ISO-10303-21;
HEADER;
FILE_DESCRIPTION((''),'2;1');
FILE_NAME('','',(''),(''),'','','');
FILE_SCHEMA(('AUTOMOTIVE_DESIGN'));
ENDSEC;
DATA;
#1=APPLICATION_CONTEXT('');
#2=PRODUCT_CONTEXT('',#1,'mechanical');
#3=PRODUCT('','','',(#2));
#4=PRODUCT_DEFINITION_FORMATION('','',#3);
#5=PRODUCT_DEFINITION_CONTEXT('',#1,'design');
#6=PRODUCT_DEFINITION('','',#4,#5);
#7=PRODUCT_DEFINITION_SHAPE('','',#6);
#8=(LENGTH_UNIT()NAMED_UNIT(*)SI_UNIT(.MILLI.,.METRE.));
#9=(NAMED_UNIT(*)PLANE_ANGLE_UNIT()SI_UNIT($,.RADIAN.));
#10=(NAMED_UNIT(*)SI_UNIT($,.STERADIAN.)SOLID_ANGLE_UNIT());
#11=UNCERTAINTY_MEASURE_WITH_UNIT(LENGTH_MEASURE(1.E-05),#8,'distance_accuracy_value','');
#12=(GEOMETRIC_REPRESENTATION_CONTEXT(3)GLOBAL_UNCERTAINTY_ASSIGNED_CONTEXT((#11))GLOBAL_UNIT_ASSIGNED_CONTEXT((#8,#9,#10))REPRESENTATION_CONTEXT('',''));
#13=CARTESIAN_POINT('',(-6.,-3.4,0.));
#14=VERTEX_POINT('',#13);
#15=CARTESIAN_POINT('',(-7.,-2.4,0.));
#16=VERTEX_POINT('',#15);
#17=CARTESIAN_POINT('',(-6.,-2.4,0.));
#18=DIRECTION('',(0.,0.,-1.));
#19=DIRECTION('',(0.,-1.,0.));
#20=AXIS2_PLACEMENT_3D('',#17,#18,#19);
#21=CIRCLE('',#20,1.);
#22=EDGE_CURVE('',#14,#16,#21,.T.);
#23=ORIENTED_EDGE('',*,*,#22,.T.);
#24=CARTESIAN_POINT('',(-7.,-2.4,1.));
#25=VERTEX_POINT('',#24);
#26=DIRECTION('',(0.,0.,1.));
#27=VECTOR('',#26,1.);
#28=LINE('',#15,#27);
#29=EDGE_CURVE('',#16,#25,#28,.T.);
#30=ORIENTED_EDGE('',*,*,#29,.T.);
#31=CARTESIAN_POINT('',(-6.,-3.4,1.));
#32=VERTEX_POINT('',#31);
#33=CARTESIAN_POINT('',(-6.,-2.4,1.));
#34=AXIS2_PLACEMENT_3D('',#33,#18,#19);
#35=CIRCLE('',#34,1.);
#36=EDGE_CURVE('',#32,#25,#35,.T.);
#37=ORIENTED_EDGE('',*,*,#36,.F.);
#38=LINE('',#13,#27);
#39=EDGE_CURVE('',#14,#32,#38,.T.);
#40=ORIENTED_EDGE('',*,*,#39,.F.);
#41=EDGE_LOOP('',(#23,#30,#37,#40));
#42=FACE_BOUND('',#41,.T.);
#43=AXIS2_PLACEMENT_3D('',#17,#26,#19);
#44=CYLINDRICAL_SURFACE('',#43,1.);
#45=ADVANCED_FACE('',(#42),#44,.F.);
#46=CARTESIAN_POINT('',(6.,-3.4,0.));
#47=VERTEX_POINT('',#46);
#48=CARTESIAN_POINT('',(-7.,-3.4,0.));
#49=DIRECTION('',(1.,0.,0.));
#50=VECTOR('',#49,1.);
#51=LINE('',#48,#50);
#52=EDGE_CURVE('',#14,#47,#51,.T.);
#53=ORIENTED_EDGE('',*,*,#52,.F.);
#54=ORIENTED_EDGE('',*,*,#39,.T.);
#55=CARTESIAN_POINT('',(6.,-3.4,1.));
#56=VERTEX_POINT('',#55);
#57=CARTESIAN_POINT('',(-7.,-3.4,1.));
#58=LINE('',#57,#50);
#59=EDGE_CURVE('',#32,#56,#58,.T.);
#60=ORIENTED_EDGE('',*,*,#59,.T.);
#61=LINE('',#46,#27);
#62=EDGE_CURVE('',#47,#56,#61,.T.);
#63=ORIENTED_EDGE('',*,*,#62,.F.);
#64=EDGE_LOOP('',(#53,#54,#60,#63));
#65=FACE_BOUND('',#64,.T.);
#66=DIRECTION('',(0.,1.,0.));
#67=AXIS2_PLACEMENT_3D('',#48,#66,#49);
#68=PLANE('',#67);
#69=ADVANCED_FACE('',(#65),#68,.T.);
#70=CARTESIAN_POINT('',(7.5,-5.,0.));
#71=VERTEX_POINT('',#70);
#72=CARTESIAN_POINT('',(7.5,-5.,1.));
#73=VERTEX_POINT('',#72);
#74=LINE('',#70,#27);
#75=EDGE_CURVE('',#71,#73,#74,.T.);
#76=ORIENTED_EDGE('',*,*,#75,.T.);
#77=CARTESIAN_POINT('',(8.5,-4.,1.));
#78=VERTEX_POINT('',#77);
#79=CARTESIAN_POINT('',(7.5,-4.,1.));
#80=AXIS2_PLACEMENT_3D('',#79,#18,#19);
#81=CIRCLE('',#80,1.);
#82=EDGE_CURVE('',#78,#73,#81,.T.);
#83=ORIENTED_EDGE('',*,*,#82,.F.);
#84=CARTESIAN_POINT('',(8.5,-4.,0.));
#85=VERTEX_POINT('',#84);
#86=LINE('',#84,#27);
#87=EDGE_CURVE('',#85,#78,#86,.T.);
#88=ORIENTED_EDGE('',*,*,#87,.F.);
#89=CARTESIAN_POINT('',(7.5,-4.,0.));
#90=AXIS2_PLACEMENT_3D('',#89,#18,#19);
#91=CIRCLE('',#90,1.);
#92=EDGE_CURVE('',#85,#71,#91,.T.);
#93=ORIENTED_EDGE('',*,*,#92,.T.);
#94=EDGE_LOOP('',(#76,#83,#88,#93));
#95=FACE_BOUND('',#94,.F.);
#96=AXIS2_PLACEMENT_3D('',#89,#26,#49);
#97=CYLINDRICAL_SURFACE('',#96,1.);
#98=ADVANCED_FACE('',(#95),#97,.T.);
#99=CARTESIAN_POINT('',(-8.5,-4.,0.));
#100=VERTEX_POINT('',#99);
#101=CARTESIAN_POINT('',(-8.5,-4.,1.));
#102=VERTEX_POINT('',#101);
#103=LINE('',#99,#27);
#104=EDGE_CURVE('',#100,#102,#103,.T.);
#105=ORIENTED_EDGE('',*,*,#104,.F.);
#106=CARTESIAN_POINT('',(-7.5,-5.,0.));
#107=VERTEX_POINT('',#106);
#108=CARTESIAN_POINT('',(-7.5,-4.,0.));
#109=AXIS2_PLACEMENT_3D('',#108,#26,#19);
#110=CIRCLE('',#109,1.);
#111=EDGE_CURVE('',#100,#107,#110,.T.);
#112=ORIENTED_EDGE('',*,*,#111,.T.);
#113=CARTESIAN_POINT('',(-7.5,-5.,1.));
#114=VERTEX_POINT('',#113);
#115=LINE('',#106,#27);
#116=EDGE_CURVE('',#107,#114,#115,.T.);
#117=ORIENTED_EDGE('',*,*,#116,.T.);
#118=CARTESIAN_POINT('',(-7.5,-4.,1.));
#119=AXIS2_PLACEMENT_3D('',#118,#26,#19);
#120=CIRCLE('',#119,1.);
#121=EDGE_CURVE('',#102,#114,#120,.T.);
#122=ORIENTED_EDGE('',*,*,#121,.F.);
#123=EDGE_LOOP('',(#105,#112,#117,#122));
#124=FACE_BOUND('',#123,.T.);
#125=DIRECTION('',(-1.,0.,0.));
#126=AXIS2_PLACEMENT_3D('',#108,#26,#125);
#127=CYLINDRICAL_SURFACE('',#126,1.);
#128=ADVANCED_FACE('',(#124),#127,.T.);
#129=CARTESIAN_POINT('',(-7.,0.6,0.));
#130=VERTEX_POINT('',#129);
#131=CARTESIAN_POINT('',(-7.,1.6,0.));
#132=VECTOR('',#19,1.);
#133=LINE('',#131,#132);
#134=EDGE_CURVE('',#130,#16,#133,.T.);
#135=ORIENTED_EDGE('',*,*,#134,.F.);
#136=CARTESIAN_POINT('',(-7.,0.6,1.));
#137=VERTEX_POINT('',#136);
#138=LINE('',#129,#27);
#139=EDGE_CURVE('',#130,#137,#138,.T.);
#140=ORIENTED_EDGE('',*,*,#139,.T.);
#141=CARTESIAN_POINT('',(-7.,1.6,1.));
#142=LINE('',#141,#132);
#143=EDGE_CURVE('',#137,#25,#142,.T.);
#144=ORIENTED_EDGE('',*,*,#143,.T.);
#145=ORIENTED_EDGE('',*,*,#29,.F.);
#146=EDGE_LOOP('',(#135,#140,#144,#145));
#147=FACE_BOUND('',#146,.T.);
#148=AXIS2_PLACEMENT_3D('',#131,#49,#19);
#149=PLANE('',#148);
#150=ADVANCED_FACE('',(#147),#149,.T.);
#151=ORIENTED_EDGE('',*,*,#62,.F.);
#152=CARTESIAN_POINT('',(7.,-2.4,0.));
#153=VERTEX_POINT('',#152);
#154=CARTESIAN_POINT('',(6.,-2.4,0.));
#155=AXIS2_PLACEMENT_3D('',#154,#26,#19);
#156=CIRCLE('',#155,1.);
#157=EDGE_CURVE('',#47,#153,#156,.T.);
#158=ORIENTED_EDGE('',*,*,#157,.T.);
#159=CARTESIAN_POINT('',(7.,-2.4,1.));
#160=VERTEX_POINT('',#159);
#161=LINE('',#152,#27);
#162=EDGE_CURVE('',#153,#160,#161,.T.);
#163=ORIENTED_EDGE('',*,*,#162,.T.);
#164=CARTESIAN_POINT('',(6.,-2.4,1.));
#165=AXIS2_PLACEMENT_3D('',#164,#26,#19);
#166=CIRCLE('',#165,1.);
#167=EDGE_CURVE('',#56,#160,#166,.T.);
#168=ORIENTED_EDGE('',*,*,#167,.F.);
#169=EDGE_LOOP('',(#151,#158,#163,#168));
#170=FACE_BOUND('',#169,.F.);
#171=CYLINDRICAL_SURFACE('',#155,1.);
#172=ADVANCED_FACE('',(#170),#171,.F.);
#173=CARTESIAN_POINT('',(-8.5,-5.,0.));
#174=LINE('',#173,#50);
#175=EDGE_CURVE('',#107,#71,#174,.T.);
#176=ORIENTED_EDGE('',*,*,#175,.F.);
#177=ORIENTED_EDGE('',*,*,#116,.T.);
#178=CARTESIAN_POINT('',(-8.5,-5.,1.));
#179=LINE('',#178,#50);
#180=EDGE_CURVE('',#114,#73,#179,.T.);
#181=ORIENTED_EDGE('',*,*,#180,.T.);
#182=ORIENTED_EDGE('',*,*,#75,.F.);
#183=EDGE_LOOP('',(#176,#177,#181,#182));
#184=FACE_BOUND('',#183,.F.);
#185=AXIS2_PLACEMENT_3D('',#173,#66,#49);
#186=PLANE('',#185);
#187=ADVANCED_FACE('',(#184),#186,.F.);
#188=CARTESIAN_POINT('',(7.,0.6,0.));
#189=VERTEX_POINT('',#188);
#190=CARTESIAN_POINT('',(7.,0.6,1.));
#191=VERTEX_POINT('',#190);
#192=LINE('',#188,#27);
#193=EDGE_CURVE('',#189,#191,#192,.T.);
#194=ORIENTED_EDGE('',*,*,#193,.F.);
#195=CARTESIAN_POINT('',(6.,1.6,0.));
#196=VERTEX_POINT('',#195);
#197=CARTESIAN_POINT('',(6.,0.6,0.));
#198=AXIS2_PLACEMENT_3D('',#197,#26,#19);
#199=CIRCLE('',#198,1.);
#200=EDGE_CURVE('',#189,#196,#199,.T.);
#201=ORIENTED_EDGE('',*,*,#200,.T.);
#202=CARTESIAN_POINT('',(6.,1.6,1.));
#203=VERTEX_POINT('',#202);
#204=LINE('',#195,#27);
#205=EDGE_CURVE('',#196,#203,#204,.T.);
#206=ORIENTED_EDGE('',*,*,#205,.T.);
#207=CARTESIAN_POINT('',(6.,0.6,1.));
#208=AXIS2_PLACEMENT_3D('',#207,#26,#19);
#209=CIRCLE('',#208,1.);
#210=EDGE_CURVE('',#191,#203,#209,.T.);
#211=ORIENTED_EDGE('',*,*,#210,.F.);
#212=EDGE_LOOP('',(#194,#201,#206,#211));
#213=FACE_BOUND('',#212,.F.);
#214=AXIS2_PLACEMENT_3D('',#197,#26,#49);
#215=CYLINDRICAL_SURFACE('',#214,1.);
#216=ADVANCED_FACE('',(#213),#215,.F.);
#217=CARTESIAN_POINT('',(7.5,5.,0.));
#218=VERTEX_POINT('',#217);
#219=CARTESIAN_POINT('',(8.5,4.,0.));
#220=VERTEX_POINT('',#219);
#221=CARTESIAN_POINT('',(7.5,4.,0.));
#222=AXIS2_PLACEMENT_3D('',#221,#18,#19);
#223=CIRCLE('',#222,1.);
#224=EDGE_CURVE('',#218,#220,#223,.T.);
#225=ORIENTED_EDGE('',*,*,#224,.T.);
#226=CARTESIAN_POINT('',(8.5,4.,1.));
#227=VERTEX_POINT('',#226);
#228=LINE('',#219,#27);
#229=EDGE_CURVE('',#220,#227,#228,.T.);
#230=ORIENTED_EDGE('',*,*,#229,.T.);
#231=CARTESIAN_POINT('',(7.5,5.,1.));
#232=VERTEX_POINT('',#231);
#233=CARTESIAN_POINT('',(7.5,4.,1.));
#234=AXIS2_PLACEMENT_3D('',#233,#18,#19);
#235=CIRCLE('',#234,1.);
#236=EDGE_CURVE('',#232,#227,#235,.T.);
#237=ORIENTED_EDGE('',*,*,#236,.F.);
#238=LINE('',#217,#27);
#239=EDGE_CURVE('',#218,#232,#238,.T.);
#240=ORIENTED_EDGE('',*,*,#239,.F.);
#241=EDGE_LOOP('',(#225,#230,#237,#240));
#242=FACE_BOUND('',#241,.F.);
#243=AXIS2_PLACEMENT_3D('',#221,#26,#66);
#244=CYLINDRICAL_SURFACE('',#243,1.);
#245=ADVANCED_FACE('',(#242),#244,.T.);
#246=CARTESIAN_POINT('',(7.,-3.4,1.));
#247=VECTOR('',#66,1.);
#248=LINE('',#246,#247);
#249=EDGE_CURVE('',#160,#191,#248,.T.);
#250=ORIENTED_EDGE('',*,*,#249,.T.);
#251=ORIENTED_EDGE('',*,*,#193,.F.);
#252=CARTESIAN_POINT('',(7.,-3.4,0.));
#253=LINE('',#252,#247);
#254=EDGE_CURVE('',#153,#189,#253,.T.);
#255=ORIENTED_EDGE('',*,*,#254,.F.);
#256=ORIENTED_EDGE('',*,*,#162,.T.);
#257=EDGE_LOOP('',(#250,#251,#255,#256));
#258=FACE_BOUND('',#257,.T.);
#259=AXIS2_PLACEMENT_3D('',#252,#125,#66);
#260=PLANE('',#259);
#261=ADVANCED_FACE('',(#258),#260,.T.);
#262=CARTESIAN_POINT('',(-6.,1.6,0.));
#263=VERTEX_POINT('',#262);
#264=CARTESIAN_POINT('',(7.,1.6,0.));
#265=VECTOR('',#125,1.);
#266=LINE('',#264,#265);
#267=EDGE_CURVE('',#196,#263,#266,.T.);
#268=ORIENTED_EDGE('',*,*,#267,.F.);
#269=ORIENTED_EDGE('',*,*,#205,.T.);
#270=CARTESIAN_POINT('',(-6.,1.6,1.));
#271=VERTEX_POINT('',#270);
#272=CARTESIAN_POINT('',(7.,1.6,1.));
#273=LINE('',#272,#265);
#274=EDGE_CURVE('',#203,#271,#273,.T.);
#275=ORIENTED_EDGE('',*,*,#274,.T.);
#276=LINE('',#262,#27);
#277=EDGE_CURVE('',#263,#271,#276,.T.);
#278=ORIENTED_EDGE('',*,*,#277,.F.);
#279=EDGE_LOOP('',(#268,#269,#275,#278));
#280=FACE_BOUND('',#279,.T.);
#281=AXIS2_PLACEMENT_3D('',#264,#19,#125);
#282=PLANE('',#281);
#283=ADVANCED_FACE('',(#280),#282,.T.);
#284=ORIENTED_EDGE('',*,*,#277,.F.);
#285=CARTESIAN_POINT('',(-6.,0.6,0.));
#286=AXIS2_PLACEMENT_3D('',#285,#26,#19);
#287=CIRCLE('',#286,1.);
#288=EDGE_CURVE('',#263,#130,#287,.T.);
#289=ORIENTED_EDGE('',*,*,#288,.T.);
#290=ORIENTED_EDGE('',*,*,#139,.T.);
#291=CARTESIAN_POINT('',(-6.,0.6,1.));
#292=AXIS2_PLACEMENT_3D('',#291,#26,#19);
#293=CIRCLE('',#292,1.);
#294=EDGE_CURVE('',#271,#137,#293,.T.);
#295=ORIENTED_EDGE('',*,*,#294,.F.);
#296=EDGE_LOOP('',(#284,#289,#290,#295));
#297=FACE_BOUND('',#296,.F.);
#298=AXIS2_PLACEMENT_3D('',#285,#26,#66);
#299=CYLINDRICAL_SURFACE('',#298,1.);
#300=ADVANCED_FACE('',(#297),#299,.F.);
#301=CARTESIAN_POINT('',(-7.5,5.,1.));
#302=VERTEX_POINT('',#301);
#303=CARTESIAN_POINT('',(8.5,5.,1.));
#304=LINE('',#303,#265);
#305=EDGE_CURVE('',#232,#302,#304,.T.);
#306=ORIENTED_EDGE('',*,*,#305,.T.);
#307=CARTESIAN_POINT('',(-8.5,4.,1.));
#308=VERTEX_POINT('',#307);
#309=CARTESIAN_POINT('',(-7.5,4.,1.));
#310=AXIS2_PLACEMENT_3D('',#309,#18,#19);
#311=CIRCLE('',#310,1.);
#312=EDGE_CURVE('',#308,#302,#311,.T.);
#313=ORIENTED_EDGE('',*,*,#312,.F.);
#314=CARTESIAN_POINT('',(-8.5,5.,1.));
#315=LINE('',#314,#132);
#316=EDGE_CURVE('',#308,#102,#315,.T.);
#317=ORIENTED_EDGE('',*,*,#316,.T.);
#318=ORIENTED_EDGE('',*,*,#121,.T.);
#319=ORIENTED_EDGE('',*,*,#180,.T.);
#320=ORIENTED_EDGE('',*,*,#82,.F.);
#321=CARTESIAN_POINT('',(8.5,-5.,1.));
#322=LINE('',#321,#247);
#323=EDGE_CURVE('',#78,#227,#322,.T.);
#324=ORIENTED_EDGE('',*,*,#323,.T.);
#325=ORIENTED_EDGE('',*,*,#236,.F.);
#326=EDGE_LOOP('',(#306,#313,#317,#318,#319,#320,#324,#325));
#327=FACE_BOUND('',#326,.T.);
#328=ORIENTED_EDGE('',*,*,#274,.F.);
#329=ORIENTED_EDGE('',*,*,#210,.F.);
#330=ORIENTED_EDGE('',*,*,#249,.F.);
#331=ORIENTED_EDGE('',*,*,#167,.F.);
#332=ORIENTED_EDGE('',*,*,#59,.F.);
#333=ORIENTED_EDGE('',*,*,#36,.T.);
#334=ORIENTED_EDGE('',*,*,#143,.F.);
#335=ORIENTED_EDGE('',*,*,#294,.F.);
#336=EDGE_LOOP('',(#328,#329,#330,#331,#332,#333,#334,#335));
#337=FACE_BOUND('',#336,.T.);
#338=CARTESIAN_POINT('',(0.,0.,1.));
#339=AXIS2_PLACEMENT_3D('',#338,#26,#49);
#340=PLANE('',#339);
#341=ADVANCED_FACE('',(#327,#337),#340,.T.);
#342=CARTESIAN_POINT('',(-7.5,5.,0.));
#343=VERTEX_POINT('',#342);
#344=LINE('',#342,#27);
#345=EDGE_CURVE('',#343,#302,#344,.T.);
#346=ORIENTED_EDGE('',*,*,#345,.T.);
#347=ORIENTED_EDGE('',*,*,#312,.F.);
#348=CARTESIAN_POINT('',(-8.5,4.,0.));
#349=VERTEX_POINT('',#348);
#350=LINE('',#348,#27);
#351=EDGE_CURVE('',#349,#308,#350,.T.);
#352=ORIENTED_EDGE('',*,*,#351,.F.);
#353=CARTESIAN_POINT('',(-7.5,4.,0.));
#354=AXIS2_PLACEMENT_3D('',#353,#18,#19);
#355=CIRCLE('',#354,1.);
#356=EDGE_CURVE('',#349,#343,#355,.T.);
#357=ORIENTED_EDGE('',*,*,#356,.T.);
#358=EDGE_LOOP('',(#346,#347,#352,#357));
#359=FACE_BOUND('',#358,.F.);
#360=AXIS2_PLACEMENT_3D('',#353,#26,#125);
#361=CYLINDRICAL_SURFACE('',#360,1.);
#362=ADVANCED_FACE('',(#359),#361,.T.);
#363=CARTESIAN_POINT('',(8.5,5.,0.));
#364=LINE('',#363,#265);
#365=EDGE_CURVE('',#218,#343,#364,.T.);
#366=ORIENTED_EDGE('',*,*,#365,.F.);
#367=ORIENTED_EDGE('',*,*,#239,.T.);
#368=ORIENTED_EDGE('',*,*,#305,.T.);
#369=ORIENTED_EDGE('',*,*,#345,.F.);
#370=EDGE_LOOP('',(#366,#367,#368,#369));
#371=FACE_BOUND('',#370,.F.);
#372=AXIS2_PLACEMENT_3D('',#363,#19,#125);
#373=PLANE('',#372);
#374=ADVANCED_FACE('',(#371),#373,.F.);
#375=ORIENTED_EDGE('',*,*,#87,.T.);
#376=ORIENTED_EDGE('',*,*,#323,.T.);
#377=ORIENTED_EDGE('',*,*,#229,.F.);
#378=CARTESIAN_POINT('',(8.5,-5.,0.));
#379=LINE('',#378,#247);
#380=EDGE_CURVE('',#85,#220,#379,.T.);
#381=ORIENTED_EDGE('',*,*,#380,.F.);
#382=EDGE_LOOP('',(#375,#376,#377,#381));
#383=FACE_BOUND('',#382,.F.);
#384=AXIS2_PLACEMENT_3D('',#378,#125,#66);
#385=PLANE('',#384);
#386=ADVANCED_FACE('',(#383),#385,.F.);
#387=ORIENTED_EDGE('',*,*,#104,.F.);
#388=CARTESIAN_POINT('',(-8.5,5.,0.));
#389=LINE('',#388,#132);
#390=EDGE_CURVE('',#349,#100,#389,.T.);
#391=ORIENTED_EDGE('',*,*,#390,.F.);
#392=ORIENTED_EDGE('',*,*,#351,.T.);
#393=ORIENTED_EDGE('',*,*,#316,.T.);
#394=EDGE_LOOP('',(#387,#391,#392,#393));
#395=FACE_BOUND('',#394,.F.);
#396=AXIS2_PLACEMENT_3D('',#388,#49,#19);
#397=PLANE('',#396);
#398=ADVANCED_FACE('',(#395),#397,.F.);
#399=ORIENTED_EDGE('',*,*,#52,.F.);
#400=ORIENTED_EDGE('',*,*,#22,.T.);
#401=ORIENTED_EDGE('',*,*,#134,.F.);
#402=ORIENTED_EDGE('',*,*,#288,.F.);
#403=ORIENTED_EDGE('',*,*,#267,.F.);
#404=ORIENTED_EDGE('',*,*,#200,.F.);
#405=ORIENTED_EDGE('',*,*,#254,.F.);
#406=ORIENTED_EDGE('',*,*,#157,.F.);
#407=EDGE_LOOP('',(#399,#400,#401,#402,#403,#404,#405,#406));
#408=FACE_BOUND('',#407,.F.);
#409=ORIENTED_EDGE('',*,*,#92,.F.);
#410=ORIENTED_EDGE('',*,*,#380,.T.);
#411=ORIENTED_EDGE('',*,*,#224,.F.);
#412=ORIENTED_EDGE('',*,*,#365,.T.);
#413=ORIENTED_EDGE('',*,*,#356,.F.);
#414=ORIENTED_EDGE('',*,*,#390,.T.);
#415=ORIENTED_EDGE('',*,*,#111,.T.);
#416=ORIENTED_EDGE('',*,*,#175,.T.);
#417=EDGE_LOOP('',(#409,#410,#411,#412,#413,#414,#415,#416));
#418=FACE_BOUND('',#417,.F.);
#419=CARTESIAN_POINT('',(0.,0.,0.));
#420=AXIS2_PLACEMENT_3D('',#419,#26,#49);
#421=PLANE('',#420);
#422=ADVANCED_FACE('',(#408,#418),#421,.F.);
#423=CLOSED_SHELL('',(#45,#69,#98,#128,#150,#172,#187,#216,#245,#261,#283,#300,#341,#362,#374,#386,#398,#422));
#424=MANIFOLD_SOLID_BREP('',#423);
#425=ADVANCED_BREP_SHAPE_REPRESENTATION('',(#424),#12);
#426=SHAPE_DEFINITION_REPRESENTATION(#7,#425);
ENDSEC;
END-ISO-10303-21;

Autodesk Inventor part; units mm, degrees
ref_plane "YZ Plane" through (0, 0, 0) normal (1, 0, 0) x (0, 1, 0)
ref_plane "XZ Plane" through (0, 0, 0) normal (0, 1, 0) x (-1, 0, 0)
ref_plane "XY Plane" through (0, 0, 0) normal (0, 0, 1) x (1, 0, 0)
sketch "Sketch1" plane through (0, 0, 0) normal (0, 0, 1) x (1, 0, 0)
  line L0 (-8.5, -5) -> (8.5, -5)
  line L1 (8.5, -5) -> (8.5, 5)
  line L2 (8.5, 5) -> (-8.5, 5)
  line L3 (-8.5, 5) -> (-8.5, -5)
  line L4 (-8.5, -5) -> (8.5, 5) construction
  line L5 (8.5, -5) -> (-8.5, 5) construction
  line L6 (0, -7) -> (0, 7) construction
  line L7 (-7, -3.4) -> (7, -3.4)
  line L8 (7, -3.4) -> (7, 1.6)
  line L9 (7, 1.6) -> (-7, 1.6)
  line L10 (-7, 1.6) -> (-7, -3.4)
  line L11 (-7, -3.4) -> (7, 1.6) construction
  line L12 (7, -3.4) -> (-7, 1.6) construction
  point P0 (0, 0)
  point P1 (0, -0.9)
  dimension "d0" = 10
  dimension "d1" = 17
  dimension "d2" = 4.1
  dimension "d3" = 5
  dimension "d4" = 14
extrude "Extrusion1" add sketch "Sketch1" along normal blind 1
fillet "Fillet1" radius 1 4 edges at (8.5, 5, 0.5) (8.5, -5, 0.5) (-8.5, -5, 0.5) (-8.5, 5, 0.5)
fillet "Fillet2" radius 1 4 edges at (7, 1.6, 0.5) (7, -3.4, 0.5) (-7, -3.4, 0.5) (-7, 1.6, 0.5)
properties part number "CAMERA_CON_SPACER"
